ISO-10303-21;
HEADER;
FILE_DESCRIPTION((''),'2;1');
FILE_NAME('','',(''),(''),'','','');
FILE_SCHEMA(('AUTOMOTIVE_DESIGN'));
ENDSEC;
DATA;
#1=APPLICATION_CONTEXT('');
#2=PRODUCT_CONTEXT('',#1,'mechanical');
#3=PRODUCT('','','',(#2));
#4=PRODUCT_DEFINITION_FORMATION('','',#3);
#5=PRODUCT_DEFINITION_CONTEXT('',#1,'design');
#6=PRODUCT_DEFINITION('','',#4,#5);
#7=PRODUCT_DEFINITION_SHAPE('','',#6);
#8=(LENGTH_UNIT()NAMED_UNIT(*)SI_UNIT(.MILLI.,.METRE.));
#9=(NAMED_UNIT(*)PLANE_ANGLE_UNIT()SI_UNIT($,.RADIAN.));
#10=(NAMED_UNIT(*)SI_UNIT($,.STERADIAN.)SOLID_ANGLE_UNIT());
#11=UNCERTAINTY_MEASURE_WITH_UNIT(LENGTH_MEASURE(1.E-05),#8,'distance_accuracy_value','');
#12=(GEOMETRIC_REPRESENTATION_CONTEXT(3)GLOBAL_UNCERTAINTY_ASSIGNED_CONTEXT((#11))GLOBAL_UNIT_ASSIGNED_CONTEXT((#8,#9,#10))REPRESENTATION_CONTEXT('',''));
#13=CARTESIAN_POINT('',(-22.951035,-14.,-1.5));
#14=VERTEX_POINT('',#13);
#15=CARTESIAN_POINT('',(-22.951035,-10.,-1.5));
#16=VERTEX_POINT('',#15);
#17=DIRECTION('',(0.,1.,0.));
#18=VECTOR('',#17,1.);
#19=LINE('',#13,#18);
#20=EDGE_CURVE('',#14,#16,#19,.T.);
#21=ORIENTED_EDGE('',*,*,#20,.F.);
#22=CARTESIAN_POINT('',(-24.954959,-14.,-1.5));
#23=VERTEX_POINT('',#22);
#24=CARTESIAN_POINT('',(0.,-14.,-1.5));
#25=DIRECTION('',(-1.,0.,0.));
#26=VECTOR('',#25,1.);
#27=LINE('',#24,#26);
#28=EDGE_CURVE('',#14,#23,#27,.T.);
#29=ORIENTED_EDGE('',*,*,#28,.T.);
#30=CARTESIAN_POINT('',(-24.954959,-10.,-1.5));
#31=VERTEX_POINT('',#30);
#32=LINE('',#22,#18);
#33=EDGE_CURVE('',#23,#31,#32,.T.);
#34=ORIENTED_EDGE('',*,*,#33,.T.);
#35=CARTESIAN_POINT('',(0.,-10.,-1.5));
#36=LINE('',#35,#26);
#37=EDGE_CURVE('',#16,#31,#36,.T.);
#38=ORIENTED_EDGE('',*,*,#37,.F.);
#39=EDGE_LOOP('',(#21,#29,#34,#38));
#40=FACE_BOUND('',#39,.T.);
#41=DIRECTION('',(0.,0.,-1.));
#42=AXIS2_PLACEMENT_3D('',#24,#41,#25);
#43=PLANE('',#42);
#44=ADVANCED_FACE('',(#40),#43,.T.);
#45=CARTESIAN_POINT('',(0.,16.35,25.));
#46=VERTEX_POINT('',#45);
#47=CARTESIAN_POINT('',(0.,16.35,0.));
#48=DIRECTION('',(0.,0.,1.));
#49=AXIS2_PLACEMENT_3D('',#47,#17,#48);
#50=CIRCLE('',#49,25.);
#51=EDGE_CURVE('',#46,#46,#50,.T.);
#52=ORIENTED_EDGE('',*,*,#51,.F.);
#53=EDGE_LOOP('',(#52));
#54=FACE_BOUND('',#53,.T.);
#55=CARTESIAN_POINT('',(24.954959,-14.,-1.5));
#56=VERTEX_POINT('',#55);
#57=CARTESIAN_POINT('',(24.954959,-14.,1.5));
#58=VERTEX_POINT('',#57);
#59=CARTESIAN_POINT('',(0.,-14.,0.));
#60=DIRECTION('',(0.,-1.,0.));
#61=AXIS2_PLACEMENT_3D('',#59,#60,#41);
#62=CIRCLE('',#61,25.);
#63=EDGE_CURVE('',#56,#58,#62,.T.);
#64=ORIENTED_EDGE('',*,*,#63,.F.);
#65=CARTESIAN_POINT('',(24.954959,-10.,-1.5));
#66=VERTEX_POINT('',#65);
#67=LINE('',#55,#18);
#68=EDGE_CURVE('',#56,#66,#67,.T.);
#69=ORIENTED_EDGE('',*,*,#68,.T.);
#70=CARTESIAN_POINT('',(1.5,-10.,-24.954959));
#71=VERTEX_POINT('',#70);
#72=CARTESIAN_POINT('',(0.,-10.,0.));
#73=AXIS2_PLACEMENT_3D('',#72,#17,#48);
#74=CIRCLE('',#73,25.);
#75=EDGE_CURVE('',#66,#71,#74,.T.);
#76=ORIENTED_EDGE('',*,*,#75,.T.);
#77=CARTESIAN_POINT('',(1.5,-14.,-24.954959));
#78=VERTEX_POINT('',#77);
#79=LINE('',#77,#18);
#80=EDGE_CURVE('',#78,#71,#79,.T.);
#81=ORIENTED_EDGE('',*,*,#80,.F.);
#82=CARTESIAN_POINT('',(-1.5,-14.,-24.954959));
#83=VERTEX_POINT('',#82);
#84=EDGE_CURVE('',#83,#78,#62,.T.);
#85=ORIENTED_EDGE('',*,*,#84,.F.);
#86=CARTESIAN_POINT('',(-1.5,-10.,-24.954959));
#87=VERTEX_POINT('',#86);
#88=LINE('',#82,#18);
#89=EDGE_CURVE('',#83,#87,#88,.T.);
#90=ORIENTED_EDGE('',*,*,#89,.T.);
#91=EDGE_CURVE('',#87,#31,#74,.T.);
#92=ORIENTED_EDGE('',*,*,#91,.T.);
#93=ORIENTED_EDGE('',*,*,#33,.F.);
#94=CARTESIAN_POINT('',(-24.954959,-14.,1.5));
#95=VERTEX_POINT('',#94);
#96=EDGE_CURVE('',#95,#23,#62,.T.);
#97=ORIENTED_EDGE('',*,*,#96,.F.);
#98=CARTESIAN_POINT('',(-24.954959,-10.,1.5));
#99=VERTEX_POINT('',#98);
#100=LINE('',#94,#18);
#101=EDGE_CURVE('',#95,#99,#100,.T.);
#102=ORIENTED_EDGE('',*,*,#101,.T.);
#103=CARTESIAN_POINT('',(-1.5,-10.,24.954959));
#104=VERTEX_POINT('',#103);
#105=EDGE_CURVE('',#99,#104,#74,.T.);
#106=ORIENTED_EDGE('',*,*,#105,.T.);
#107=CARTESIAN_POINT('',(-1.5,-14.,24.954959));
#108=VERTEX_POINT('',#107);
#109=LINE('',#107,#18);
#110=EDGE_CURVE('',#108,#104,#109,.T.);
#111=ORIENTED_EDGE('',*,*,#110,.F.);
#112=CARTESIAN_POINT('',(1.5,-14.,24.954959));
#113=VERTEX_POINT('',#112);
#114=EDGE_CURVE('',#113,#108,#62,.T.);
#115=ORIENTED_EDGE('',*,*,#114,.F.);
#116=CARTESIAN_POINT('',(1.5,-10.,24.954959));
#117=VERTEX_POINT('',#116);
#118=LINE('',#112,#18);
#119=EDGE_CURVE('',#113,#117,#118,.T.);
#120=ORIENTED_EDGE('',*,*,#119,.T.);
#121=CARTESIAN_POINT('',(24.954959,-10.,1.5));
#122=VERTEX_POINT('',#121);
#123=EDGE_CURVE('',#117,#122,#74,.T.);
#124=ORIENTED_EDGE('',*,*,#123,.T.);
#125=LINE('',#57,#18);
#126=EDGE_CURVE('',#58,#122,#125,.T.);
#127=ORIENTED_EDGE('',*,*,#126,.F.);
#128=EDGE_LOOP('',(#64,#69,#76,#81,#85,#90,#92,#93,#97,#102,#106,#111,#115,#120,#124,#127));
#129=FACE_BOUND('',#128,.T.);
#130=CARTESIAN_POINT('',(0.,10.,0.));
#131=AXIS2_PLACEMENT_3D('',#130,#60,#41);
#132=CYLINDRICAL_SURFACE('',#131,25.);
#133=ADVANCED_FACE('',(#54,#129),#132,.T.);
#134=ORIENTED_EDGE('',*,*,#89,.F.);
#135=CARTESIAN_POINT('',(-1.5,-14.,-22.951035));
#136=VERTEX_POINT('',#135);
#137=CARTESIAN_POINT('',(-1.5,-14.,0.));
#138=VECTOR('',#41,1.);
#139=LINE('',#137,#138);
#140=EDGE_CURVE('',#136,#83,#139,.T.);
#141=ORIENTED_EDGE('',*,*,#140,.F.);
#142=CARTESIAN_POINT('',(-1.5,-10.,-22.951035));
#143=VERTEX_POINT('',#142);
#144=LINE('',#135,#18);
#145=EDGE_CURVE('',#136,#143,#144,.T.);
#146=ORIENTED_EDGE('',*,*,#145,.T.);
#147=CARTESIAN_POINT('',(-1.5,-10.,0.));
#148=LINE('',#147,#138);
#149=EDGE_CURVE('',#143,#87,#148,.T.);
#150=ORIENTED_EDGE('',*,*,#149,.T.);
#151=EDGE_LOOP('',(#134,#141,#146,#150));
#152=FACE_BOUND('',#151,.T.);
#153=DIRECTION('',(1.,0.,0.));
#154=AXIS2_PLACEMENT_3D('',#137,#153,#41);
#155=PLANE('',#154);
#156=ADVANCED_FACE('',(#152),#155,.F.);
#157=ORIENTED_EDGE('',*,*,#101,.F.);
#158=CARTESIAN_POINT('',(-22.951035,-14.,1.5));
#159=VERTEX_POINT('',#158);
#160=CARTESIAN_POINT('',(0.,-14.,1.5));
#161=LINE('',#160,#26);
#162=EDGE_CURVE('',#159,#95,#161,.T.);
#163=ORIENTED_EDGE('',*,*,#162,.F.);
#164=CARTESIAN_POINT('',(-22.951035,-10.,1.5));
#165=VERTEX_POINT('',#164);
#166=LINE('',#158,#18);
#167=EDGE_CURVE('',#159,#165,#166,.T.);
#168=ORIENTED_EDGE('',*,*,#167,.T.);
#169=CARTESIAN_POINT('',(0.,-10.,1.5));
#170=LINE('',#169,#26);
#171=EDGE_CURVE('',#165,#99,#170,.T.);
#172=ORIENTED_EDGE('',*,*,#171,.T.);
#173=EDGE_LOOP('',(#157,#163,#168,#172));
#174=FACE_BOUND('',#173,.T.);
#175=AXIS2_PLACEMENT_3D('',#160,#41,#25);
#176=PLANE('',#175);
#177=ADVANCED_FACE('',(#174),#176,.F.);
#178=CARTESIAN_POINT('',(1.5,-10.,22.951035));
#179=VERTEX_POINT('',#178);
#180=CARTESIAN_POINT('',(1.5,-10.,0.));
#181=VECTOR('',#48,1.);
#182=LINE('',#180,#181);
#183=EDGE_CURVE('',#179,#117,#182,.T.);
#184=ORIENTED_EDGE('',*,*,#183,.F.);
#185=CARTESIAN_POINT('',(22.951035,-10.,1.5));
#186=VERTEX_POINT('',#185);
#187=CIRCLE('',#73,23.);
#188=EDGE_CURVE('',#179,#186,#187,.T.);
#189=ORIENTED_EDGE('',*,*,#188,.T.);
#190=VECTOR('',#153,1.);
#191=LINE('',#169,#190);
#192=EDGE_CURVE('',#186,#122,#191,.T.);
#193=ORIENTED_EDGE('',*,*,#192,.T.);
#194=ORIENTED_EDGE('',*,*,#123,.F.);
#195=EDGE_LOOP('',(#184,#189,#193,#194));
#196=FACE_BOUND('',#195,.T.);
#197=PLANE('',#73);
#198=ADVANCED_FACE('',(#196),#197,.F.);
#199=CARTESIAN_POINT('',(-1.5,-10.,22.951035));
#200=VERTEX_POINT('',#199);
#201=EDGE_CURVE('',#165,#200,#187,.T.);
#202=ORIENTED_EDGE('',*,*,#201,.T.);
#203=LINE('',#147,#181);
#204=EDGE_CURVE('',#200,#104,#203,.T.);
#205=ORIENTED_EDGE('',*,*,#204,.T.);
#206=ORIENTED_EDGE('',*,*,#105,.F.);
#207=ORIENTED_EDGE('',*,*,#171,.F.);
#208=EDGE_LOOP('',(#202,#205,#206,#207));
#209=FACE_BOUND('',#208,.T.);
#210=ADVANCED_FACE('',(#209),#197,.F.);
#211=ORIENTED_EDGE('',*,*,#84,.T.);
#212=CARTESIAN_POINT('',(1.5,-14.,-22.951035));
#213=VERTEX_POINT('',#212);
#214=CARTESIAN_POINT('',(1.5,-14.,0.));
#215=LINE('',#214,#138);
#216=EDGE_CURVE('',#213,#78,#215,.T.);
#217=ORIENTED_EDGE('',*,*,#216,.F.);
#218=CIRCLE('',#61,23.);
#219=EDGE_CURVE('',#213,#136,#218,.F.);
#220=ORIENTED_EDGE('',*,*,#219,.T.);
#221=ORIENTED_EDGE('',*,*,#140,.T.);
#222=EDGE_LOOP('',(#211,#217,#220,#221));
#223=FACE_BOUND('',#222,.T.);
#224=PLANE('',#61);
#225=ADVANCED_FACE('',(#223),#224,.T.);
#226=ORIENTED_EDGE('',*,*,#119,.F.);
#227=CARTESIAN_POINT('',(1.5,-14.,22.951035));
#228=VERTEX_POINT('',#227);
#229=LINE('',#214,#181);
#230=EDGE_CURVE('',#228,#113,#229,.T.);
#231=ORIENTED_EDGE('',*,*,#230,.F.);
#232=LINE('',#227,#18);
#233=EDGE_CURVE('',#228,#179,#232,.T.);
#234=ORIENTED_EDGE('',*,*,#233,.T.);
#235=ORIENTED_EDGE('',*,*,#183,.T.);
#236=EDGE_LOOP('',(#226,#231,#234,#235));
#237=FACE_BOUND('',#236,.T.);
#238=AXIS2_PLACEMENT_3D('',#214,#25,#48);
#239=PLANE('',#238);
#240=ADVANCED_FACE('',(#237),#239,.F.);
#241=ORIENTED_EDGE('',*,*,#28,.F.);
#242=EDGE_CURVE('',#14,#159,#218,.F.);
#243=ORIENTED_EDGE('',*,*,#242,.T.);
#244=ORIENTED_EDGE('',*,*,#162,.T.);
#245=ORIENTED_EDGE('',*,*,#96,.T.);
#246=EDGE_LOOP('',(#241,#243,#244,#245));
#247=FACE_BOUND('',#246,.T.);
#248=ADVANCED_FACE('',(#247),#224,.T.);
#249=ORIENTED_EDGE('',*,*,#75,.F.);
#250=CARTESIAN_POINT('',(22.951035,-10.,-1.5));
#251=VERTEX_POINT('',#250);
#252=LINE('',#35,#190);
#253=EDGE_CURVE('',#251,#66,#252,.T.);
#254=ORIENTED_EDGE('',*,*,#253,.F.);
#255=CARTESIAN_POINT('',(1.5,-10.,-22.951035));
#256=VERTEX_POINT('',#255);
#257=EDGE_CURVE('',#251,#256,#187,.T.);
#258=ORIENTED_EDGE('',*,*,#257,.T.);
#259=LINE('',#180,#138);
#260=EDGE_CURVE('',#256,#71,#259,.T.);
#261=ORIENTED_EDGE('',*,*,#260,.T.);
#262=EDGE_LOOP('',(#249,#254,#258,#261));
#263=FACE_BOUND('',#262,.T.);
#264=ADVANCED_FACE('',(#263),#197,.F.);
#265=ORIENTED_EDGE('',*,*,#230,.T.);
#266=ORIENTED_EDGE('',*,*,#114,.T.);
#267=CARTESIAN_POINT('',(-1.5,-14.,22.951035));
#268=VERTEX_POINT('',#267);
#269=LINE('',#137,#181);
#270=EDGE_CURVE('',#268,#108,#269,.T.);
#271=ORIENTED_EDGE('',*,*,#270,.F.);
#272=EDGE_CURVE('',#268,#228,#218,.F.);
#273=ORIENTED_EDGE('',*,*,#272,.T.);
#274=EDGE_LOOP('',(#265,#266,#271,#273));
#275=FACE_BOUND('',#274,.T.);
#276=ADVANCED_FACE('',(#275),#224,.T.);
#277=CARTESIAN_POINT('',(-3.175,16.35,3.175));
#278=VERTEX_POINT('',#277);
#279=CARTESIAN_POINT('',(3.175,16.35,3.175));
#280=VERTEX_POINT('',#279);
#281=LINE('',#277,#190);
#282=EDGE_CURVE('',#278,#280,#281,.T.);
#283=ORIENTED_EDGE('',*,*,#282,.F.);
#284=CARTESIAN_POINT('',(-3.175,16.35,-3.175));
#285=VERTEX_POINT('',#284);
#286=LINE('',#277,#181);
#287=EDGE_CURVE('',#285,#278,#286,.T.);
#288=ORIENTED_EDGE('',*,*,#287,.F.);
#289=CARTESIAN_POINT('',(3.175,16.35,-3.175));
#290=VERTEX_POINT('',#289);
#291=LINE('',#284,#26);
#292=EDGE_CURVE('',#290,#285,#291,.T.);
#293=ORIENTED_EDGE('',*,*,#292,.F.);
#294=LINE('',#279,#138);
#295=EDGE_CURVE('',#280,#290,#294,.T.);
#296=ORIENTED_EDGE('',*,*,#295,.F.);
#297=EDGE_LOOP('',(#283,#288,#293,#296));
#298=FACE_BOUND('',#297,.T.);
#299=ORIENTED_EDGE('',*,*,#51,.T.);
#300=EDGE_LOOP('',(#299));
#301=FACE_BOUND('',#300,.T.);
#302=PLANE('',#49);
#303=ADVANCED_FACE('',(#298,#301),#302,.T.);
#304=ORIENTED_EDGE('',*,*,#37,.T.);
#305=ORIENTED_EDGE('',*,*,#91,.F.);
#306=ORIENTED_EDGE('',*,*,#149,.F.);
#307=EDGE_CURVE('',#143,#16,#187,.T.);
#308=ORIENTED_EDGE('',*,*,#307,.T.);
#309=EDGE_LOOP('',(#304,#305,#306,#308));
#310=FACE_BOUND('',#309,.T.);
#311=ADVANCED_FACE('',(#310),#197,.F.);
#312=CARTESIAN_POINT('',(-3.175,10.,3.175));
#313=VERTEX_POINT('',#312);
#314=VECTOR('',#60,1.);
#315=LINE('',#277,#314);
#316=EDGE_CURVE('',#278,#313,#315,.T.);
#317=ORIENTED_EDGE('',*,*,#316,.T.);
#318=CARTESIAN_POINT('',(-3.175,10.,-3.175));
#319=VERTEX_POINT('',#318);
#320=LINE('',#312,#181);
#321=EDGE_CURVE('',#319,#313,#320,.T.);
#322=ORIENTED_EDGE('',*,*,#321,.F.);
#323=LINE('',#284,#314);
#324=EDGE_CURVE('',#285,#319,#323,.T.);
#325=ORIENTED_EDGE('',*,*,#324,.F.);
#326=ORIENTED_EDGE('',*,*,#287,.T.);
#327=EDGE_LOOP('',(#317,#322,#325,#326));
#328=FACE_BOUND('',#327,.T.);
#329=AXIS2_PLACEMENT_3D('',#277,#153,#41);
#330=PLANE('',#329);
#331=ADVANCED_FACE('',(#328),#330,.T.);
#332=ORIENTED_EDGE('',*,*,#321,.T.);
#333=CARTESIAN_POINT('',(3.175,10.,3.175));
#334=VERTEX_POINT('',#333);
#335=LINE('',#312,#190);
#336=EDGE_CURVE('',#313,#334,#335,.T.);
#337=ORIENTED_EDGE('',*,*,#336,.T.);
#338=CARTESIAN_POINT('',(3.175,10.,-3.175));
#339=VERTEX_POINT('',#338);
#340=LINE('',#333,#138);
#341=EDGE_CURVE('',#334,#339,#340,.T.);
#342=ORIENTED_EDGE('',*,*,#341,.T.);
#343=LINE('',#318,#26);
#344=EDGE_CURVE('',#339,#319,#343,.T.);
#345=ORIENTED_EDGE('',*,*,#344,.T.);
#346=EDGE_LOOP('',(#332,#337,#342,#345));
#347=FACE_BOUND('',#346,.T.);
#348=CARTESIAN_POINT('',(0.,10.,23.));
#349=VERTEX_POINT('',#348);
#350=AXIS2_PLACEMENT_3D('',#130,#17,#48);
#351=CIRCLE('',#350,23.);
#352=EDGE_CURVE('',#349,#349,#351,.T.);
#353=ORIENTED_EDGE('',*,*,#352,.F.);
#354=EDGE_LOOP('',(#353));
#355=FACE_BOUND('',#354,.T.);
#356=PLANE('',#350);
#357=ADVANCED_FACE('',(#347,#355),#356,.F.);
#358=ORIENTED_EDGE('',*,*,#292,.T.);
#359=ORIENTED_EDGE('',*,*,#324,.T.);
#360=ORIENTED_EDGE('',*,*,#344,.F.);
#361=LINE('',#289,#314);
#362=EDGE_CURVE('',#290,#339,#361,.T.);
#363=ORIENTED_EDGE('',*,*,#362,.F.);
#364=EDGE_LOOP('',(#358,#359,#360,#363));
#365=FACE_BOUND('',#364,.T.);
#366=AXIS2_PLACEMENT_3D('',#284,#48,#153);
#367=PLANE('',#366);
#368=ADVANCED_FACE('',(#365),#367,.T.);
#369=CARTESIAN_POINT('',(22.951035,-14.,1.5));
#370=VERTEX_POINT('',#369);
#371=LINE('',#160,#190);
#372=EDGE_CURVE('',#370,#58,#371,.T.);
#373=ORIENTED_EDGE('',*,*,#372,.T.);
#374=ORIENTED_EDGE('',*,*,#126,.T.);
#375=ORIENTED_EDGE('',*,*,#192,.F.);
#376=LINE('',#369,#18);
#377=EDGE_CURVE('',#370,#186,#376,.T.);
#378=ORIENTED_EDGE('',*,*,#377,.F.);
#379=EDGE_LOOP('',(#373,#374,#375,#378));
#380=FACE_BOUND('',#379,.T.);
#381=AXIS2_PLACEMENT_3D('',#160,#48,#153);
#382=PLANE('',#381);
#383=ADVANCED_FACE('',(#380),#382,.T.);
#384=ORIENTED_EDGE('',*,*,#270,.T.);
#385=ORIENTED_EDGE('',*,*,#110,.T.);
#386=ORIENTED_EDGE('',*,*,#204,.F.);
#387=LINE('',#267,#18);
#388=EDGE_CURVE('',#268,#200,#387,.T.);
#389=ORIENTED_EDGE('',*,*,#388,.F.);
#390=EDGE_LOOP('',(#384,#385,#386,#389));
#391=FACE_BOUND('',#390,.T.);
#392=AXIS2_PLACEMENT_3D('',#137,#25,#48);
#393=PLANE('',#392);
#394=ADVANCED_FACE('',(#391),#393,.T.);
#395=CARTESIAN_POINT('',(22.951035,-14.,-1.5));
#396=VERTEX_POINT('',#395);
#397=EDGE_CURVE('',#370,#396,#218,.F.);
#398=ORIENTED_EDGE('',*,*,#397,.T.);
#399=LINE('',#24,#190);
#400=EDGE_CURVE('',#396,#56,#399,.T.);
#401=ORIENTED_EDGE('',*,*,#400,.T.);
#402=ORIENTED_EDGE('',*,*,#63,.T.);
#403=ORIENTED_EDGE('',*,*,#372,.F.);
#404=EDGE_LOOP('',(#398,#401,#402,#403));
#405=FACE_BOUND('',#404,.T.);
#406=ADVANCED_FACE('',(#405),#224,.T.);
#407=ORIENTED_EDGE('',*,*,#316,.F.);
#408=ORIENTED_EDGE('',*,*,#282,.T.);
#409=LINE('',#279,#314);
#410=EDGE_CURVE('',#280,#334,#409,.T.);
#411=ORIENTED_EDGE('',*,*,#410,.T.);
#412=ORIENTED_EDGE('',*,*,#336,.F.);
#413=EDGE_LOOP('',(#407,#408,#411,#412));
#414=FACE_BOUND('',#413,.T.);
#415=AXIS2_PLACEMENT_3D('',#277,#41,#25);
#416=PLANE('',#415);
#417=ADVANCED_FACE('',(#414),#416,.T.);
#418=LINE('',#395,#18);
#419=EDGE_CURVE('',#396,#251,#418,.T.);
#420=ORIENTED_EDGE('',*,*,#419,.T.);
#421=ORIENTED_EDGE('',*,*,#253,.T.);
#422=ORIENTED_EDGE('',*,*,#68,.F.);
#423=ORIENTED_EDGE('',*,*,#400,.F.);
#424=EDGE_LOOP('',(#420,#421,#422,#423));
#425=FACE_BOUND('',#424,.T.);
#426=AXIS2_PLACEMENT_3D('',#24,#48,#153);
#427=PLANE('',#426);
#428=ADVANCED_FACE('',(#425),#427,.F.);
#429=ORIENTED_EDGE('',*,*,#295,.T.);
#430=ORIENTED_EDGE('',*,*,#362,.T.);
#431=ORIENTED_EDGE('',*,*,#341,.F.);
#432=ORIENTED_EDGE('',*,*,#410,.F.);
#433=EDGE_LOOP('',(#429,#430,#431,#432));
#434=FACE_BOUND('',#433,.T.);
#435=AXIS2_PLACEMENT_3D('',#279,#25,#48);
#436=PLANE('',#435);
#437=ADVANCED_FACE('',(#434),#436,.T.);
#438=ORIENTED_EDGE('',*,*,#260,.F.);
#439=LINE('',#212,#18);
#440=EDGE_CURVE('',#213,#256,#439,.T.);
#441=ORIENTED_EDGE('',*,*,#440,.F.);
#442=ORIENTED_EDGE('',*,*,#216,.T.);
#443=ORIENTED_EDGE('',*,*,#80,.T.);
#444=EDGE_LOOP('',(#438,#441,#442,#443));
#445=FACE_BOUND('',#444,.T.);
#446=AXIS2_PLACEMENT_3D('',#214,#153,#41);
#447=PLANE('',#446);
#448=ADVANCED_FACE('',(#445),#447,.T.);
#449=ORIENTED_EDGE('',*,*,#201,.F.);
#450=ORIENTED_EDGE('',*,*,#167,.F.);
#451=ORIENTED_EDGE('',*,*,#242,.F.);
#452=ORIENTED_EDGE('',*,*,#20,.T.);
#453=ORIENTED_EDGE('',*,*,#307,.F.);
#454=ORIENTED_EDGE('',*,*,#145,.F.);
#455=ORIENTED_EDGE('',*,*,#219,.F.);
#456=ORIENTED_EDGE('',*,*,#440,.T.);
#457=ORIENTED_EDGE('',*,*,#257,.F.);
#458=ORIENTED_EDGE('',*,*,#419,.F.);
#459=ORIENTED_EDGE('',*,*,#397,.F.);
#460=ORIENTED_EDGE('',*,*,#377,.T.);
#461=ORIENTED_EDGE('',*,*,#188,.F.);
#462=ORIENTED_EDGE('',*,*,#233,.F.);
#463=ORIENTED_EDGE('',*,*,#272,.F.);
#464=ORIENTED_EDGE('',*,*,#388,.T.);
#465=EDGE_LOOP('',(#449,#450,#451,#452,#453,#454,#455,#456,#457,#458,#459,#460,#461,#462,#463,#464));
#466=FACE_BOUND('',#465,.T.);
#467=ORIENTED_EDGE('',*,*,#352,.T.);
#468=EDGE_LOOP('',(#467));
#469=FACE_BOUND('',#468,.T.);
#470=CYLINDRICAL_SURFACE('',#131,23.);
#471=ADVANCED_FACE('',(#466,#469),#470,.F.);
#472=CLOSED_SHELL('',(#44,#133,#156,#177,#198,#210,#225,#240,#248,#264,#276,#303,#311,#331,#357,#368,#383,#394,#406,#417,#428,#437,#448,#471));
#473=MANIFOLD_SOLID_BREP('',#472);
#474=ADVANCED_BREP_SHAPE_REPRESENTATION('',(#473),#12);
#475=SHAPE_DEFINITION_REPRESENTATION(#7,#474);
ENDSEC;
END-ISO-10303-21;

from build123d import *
from build123d.topology import SkipClean

# Parameters (mm, degrees)
SKETCH1_R           = 25
SKETCH1_R_2         = 23
BOSS_EXTRUDE1_DEPTH = 10
BOSS_EXTRUDE2_DEPTH = 4
BOSS_EXTRUDE3_START = 6.35
SKETCH3_R           = 25
SKETCH3_W           = 6.35
SKETCH3_H           = 6.35
BOSS_EXTRUDE3_DEPTH = 6.35


with BuildPart() as part:
    # Sketch1 → Boss-Extrude1 (new, symmetric)
    with BuildSketch(Plane(origin=(0, 0, 0), x_dir=(1, 0, 0), z_dir=(0, 1, 0))):
        with Locations(Location((0, 0, 0), (0, 0, 270))):
            Circle(SKETCH1_R)
        with Locations(Location((0, 0, 0), (0, 0, 270))):
            Circle(SKETCH1_R_2, mode=Mode.SUBTRACT)
    extrude(amount=BOSS_EXTRUDE1_DEPTH, both=True)

    # Sketch2 → Boss-Extrude2 (add)
    with SkipClean():  # the faces are left unmerged after this step: merging them gives an invalid solid
        with BuildSketch(Plane.XZ.offset(10)):
            with BuildLine():
                ThreePointArc((-1.5, 22.951034835), (0, 23), (1.5, 22.951034835))
                Line((1.5, 22.951034835), (1.5, 24.954959427))
                ThreePointArc((1.5, 24.954959427), (0.750338033, 24.98873732), (0, 25))
                ThreePointArc((0, 25), (-0.750338033, 24.98873732), (-1.5, 24.954959427))
                Line((-1.5, 24.954959427), (-1.5, 22.951034835))
            make_face()
            with BuildLine():
                Line((-24.954959427, -1.5), (-22.951034835, -1.5))
                ThreePointArc((-22.951034835, -1.5), (-23, 0), (-22.951034835, 1.5))
                Line((-22.951034835, 1.5), (-24.954959427, 1.5))
                ThreePointArc((-24.954959427, 1.5), (-24.98873732, 0.750338033), (-25, 0))
                ThreePointArc((-25, 0), (-24.98873732, -0.750338033), (-24.954959427, -1.5))
            make_face()
            with BuildLine():
                ThreePointArc((23, 0), (22.987755449, -0.750399492), (22.951034835, -1.5))
                Line((22.951034835, -1.5), (24.954959427, -1.5))
                ThreePointArc((24.954959427, -1.5), (24.98873732, -0.750338033), (25, 0))
                ThreePointArc((25, 0), (24.98873732, 0.750338033), (24.954959427, 1.5))
                Line((24.954959427, 1.5), (22.951034835, 1.5))
                ThreePointArc((22.951034835, 1.5), (22.987755449, 0.750399492), (23, 0))
            make_face()
            with BuildLine():
                Line((1.5, -24.954959427), (1.5, -22.951034835))
                ThreePointArc((1.5, -22.951034835), (0, -23), (-1.5, -22.951034835))
                Line((-1.5, -22.951034835), (-1.5, -24.954959427))
                ThreePointArc((-1.5, -24.954959427), (-0.750338033, -24.98873732), (0, -25))
                ThreePointArc((0, -25), (0.750338033, -24.98873732), (1.5, -24.954959427))
            make_face()
        extrude(amount=BOSS_EXTRUDE2_DEPTH)

    # Sketch3 → Boss-Extrude3 (add)
    with SkipClean():  # the faces are left unmerged after this step: merging them gives an invalid solid
        with BuildSketch(Plane(origin=(0, 10, 0), x_dir=(1, 0, 0), z_dir=(0, 1, 0)).offset(BOSS_EXTRUDE3_START)):
            with Locations(Location((0, 0, 0), (0, 0, 86.560187232))):
                Circle(SKETCH3_R)
            Rectangle(SKETCH3_W, SKETCH3_H, mode=Mode.SUBTRACT)
        extrude(amount=-BOSS_EXTRUDE3_DEPTH)


solid = part.part
